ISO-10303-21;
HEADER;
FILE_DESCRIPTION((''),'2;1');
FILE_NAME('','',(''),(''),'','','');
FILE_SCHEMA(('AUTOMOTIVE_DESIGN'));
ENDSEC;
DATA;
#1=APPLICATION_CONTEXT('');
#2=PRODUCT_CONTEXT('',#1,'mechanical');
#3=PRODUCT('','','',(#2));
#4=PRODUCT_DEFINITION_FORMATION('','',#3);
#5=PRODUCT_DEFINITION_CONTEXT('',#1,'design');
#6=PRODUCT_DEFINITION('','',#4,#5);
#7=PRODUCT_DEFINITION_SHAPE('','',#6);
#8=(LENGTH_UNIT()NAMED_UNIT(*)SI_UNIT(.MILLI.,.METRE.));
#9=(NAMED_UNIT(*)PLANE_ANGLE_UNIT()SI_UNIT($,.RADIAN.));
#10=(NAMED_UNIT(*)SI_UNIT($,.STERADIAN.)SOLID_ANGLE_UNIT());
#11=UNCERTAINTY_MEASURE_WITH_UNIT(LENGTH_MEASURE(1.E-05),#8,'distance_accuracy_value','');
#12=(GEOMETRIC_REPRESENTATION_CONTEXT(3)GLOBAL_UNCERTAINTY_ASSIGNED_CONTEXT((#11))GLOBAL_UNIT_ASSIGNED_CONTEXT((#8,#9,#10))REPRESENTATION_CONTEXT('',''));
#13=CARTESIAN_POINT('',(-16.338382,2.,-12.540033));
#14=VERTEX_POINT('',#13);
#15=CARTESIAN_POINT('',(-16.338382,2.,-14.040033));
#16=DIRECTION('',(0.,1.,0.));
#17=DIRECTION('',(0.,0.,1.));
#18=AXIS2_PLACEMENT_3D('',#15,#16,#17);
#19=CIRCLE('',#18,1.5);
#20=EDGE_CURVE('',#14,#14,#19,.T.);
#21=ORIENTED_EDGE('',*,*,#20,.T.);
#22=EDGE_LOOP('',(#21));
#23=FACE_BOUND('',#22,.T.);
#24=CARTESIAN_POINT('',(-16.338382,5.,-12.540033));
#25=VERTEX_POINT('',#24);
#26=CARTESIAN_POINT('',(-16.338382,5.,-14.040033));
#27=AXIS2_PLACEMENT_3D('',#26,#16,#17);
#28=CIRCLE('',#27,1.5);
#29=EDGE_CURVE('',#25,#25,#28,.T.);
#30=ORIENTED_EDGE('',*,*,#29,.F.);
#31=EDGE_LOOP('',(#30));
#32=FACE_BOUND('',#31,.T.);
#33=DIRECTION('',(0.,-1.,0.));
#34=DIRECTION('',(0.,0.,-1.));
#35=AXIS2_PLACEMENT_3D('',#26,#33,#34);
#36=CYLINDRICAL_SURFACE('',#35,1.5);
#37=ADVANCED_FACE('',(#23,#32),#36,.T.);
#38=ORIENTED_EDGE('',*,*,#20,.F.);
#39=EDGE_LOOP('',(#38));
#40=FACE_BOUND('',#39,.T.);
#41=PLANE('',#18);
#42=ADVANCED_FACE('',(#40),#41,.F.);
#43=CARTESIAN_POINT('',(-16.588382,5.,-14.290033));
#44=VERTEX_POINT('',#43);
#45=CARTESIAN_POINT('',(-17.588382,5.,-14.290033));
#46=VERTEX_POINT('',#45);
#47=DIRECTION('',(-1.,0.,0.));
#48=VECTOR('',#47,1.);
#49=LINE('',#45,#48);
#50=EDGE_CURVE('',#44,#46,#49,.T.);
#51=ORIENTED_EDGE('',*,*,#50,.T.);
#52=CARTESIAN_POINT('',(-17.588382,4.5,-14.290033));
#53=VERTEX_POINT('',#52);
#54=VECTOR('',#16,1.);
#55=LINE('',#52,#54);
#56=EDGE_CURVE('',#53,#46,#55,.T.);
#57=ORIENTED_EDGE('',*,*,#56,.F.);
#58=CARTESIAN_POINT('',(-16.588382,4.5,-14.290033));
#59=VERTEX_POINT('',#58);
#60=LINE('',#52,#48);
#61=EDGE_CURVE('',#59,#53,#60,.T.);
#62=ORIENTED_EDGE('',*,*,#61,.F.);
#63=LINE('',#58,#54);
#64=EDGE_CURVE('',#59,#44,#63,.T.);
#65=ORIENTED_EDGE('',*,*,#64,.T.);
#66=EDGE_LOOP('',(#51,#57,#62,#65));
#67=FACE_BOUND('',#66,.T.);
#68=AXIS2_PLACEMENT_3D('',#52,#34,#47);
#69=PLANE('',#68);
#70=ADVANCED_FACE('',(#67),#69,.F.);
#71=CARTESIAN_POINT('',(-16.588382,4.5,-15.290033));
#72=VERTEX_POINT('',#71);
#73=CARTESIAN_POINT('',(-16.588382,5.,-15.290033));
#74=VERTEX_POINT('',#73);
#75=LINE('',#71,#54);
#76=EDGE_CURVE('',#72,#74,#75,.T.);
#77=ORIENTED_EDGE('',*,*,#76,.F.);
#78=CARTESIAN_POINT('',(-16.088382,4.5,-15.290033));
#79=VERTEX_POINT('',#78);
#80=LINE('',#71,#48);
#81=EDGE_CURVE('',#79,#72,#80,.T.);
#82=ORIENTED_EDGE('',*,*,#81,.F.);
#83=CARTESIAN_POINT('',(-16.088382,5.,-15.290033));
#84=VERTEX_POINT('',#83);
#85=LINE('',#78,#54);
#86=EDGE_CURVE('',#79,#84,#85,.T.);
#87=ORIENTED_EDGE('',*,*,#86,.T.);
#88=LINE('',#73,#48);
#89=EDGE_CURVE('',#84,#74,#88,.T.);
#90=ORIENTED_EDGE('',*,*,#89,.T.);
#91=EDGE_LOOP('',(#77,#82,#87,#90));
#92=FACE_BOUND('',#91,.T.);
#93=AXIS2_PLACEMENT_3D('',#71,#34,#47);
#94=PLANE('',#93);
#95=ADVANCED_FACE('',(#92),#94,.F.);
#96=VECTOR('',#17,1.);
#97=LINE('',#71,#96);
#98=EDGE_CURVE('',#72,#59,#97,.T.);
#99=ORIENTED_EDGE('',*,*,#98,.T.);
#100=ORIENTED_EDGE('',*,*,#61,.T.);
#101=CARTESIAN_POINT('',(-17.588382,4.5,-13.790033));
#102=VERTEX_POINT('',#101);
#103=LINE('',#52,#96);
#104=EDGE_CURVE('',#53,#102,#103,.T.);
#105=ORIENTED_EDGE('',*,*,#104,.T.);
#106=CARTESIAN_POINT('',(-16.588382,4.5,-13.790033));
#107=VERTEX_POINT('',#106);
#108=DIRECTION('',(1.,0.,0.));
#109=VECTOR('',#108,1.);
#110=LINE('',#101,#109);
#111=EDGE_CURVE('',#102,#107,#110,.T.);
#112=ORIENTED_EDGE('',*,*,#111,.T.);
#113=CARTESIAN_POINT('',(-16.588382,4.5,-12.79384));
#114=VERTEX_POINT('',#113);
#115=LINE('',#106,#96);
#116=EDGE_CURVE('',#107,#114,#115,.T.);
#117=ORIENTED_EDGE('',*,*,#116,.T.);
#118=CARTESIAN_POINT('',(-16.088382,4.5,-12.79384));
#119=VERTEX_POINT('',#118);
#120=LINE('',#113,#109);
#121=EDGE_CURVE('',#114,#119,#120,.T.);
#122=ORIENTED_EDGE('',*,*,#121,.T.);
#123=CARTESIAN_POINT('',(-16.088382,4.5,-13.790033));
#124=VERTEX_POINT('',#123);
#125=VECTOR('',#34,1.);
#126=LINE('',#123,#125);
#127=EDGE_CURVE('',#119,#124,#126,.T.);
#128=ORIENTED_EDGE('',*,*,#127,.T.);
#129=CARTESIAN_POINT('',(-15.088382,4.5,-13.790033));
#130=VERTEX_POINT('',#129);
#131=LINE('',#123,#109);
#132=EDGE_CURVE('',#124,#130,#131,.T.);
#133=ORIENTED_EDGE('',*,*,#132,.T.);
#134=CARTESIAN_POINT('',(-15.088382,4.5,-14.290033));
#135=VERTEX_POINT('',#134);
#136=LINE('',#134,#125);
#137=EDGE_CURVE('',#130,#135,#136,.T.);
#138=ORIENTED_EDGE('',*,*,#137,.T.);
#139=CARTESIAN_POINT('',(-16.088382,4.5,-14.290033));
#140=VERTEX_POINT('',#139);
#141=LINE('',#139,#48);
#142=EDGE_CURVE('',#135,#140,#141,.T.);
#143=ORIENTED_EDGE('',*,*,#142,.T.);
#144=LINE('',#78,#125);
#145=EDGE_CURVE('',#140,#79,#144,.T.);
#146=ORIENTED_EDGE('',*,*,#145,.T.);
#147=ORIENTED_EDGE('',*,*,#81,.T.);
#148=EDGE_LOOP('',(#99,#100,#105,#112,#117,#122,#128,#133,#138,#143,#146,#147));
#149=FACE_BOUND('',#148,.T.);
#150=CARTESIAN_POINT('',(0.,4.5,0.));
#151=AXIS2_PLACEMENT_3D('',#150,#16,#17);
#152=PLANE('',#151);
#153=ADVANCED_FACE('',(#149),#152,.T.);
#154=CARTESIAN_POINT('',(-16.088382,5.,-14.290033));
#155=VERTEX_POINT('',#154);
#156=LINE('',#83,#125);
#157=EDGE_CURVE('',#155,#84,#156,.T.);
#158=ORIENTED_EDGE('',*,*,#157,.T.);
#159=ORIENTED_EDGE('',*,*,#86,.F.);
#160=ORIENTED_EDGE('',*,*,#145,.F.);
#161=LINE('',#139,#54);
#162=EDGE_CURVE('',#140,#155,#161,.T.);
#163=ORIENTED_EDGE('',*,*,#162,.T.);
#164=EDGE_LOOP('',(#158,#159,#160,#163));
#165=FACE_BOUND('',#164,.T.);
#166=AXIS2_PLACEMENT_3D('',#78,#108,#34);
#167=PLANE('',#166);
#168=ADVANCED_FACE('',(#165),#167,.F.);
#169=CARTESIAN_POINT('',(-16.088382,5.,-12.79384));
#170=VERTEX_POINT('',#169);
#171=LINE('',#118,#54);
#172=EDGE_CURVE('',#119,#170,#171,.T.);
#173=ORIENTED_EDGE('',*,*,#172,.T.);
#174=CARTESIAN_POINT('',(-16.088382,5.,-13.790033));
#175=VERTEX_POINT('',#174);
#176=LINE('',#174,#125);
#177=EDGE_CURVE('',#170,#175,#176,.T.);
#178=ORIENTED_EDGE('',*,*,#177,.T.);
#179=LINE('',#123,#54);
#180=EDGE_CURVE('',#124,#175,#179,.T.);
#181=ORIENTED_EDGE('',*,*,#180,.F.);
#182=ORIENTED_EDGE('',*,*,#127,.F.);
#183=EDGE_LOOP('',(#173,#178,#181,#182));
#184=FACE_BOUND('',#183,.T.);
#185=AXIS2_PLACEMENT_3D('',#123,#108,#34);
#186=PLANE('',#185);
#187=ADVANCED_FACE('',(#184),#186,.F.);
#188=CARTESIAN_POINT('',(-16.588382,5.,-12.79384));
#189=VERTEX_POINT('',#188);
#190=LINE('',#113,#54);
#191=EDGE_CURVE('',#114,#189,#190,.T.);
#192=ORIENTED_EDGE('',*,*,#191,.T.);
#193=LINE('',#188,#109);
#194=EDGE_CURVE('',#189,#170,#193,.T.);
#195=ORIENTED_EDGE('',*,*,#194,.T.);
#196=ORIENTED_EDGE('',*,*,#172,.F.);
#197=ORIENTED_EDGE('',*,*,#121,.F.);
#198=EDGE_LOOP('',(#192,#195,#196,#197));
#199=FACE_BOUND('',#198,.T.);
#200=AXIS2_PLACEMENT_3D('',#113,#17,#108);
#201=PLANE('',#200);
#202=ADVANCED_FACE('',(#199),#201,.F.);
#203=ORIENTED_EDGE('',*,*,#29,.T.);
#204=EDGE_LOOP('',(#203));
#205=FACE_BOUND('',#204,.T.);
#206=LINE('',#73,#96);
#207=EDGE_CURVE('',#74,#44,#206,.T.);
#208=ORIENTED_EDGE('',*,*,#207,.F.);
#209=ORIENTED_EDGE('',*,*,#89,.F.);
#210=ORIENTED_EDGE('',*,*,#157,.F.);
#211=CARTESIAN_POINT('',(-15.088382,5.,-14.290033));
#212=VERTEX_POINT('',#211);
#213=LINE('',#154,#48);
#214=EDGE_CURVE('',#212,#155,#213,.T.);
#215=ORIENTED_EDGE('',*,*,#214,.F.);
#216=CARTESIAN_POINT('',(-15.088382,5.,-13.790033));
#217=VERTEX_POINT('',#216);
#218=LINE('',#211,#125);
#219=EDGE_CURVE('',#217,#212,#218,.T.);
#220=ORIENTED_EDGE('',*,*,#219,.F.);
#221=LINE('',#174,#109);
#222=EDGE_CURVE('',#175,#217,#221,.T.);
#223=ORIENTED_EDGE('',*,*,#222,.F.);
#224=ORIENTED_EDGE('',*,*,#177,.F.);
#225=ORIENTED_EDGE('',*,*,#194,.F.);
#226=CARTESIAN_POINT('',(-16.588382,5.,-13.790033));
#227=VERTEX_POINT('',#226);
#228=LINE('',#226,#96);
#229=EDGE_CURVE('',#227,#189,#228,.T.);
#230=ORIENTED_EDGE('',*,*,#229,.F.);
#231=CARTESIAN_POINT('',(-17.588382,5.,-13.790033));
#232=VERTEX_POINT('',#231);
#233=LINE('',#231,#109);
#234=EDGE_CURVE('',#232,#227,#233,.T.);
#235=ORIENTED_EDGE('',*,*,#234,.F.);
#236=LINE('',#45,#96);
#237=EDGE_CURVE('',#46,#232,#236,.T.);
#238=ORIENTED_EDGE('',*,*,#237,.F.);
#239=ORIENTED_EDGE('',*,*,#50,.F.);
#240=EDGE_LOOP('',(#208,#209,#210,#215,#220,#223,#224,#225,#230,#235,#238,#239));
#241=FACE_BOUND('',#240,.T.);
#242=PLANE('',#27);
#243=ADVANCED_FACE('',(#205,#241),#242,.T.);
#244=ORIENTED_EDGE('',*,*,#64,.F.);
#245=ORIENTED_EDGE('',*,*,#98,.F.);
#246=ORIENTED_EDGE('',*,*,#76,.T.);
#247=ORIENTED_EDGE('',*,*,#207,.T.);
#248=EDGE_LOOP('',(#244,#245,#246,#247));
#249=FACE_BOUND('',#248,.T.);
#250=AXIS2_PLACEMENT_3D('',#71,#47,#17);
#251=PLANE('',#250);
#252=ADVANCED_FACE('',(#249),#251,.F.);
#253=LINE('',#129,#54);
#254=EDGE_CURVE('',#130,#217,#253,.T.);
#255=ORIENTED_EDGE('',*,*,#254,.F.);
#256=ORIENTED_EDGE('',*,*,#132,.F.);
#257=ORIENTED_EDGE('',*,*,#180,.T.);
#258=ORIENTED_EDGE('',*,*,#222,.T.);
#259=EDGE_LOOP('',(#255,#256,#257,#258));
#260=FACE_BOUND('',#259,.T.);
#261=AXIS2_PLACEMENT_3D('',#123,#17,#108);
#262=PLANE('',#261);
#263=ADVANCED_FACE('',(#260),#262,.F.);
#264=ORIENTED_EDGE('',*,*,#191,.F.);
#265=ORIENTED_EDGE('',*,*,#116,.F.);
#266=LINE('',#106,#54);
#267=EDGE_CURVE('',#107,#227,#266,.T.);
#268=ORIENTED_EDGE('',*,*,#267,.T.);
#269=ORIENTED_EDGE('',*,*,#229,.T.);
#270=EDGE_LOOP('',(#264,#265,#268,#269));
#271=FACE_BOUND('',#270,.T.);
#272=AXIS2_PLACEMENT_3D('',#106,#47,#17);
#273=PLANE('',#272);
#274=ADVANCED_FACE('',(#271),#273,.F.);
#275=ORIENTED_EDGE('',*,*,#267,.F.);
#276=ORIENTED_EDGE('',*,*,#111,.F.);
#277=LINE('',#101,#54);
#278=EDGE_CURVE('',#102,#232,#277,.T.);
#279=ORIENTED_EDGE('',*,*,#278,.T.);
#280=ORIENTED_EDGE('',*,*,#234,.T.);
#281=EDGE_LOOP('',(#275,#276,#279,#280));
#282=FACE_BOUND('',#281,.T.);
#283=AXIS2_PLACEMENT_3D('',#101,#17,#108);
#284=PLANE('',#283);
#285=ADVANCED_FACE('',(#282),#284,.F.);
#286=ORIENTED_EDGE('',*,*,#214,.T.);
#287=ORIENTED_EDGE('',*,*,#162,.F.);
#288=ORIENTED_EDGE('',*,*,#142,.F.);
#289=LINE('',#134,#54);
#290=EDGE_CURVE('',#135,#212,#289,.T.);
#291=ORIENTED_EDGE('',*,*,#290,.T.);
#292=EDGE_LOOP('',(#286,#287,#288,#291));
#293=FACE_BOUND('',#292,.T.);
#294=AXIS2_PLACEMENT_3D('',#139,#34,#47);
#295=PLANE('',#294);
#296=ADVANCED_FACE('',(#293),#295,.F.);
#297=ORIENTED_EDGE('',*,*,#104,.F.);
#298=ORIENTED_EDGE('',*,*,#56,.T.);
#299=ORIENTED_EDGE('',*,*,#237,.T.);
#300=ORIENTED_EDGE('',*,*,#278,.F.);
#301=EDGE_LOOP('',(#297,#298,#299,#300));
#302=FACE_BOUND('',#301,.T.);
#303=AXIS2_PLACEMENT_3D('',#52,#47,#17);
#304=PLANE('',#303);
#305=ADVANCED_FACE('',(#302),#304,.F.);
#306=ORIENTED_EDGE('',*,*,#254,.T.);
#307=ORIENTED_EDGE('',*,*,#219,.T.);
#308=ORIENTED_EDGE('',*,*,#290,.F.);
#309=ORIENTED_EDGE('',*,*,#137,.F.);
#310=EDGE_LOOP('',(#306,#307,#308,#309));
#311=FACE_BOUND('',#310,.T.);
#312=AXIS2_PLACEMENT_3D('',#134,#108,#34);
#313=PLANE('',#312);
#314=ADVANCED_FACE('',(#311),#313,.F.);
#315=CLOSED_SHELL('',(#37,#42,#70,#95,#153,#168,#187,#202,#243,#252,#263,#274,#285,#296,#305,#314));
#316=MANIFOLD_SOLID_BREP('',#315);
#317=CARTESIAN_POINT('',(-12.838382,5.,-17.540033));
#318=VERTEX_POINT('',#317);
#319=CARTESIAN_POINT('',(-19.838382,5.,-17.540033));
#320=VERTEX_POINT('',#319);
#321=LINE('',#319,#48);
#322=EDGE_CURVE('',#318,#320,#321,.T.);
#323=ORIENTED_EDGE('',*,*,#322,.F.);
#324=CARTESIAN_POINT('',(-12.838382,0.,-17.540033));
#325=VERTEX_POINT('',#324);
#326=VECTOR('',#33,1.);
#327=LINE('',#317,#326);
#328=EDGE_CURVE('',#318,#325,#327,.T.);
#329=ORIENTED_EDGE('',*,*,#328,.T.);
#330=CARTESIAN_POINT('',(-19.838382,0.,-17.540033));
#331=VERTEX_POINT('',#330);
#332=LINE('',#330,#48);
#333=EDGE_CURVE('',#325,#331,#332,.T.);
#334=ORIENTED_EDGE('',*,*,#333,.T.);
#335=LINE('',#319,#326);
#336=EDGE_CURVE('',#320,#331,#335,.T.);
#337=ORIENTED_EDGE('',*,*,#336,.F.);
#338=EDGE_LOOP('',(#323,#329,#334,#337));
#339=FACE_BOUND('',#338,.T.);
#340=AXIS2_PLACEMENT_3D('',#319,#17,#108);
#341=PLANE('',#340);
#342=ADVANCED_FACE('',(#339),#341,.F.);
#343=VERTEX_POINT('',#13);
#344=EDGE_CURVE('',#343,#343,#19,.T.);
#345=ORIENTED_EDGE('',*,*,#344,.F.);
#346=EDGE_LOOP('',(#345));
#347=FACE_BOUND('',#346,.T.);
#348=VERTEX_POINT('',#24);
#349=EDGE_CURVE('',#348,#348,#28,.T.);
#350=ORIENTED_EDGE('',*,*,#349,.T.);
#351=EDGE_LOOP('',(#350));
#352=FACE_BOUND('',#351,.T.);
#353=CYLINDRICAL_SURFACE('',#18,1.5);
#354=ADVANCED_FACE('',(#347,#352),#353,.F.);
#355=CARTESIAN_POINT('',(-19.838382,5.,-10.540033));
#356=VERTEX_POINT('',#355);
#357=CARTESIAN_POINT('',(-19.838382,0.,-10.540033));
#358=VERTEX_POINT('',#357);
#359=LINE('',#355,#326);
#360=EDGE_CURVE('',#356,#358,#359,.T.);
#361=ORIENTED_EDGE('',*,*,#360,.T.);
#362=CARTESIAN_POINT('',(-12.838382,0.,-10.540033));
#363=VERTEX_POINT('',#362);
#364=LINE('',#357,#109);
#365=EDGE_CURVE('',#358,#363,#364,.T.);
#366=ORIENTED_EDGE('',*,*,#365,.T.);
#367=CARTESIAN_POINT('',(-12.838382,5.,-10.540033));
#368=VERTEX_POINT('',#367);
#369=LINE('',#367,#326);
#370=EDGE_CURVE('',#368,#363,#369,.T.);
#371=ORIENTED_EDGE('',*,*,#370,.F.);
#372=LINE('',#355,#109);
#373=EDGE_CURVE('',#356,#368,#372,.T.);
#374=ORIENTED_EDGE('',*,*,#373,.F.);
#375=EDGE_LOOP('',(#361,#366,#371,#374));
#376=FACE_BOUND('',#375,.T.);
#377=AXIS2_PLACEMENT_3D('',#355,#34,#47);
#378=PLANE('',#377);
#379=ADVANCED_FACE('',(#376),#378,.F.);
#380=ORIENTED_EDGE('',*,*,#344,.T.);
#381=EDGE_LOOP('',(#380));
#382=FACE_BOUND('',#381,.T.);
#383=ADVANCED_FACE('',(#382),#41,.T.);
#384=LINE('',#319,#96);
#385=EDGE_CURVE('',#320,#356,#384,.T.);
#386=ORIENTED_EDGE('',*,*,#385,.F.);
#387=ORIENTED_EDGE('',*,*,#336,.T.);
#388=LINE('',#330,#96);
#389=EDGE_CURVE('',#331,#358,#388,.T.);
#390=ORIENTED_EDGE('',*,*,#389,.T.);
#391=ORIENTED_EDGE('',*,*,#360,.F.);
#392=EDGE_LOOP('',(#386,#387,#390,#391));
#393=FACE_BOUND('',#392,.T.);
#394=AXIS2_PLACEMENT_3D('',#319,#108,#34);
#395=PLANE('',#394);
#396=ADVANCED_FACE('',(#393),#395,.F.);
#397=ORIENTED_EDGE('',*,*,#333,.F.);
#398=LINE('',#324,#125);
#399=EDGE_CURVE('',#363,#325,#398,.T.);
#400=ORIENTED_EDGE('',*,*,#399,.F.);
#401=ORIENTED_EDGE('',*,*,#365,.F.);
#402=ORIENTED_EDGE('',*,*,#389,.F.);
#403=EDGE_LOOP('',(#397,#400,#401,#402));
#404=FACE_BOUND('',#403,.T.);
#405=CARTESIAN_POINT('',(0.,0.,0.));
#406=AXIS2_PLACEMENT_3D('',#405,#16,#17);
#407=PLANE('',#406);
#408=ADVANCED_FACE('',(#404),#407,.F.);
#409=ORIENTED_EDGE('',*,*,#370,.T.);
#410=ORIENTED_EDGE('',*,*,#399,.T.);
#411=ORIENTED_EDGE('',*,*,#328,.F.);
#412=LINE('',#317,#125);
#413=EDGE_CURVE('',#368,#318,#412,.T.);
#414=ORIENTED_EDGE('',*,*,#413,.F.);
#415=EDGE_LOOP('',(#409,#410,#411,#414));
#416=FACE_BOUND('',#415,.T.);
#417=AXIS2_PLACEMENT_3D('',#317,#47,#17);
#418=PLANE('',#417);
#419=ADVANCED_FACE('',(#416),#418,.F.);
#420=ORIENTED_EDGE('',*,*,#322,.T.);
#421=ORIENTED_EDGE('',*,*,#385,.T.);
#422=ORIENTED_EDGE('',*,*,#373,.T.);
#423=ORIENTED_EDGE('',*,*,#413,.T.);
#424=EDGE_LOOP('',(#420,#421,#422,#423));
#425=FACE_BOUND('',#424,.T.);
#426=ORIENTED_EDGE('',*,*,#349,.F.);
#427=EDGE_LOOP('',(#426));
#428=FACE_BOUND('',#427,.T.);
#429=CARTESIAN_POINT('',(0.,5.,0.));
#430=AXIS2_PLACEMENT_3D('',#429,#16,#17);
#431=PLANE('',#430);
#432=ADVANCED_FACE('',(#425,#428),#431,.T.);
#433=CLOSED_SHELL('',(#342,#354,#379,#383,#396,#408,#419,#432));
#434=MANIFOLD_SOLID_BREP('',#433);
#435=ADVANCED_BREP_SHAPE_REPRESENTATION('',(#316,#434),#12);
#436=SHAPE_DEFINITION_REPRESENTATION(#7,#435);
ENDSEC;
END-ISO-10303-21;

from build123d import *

# Parameters (mm, degrees)
SKETCH_1_W          = 7
SKETCH_1_H          = 7
EXTRUDE_1_DEPTH     = 5
SKETCH_2_R          = 1.5
CUT_EXTRUDE_1_DEPTH = 3
SKETCH_3_R          = 1.5
EXTRUDE_2_DEPTH     = 3
CUT_EXTRUDE_2_DEPTH = 0.5


with BuildPart() as part:
    # 草图1 → 凸台-拉伸1 (new body)
    with BuildSketch(Plane(origin=(0, 0, 0), x_dir=(1, 0, 0), z_dir=(0, 1, 0))):
        with Locations((-16.338382139, 14.040032989)):
            Rectangle(SKETCH_1_W, SKETCH_1_H)
    extrude(amount=EXTRUDE_1_DEPTH)

    # 草图2 → 切除-拉伸1 (cut)
    with BuildSketch(Plane(origin=(0, 5, 0), x_dir=(1, 0, 0), z_dir=(0, 1, 0))):
        with Locations(Location((-16.338382139, 14.040032989, 0), (0, 0, 270))):
            Circle(SKETCH_2_R)
    extrude(amount=-CUT_EXTRUDE_1_DEPTH, mode=Mode.SUBTRACT)


with BuildPart() as body_2:
    # 草图3 → 凸台-拉伸2 (new body)
    with BuildSketch(Plane(origin=(0, 2, 0), x_dir=(1, 0, 0), z_dir=(0, 1, 0))):
        with Locations(Location((-16.338382139, 14.040032989, 0), (0, 0, 270))):
            Circle(SKETCH_3_R)
    extrude(amount=EXTRUDE_2_DEPTH)

    # 草图4 → 切除-拉伸2 (cut)
    with BuildSketch(Plane(origin=(0, 5, 0), x_dir=(1, 0, 0), z_dir=(0, 1, 0))):
        Polygon((-17.588382139, 14.290032989), (-16.588382139, 14.290032989), (-16.588382139, 15.290032989), (-16.088382139, 15.290032989), (-16.088382139, 14.290032989), (-15.088382139, 14.290032989), (-15.088382139, 13.790032989), (-16.088382139, 13.790032989), (-16.088382139, 12.79384017), (-16.588382139, 12.79384017), (-16.588382139, 13.790032989), (-17.588382139, 13.790032989), align=None)
    extrude(amount=-CUT_EXTRUDE_2_DEPTH, mode=Mode.SUBTRACT)


solid = Compound([part.part, body_2.part])
